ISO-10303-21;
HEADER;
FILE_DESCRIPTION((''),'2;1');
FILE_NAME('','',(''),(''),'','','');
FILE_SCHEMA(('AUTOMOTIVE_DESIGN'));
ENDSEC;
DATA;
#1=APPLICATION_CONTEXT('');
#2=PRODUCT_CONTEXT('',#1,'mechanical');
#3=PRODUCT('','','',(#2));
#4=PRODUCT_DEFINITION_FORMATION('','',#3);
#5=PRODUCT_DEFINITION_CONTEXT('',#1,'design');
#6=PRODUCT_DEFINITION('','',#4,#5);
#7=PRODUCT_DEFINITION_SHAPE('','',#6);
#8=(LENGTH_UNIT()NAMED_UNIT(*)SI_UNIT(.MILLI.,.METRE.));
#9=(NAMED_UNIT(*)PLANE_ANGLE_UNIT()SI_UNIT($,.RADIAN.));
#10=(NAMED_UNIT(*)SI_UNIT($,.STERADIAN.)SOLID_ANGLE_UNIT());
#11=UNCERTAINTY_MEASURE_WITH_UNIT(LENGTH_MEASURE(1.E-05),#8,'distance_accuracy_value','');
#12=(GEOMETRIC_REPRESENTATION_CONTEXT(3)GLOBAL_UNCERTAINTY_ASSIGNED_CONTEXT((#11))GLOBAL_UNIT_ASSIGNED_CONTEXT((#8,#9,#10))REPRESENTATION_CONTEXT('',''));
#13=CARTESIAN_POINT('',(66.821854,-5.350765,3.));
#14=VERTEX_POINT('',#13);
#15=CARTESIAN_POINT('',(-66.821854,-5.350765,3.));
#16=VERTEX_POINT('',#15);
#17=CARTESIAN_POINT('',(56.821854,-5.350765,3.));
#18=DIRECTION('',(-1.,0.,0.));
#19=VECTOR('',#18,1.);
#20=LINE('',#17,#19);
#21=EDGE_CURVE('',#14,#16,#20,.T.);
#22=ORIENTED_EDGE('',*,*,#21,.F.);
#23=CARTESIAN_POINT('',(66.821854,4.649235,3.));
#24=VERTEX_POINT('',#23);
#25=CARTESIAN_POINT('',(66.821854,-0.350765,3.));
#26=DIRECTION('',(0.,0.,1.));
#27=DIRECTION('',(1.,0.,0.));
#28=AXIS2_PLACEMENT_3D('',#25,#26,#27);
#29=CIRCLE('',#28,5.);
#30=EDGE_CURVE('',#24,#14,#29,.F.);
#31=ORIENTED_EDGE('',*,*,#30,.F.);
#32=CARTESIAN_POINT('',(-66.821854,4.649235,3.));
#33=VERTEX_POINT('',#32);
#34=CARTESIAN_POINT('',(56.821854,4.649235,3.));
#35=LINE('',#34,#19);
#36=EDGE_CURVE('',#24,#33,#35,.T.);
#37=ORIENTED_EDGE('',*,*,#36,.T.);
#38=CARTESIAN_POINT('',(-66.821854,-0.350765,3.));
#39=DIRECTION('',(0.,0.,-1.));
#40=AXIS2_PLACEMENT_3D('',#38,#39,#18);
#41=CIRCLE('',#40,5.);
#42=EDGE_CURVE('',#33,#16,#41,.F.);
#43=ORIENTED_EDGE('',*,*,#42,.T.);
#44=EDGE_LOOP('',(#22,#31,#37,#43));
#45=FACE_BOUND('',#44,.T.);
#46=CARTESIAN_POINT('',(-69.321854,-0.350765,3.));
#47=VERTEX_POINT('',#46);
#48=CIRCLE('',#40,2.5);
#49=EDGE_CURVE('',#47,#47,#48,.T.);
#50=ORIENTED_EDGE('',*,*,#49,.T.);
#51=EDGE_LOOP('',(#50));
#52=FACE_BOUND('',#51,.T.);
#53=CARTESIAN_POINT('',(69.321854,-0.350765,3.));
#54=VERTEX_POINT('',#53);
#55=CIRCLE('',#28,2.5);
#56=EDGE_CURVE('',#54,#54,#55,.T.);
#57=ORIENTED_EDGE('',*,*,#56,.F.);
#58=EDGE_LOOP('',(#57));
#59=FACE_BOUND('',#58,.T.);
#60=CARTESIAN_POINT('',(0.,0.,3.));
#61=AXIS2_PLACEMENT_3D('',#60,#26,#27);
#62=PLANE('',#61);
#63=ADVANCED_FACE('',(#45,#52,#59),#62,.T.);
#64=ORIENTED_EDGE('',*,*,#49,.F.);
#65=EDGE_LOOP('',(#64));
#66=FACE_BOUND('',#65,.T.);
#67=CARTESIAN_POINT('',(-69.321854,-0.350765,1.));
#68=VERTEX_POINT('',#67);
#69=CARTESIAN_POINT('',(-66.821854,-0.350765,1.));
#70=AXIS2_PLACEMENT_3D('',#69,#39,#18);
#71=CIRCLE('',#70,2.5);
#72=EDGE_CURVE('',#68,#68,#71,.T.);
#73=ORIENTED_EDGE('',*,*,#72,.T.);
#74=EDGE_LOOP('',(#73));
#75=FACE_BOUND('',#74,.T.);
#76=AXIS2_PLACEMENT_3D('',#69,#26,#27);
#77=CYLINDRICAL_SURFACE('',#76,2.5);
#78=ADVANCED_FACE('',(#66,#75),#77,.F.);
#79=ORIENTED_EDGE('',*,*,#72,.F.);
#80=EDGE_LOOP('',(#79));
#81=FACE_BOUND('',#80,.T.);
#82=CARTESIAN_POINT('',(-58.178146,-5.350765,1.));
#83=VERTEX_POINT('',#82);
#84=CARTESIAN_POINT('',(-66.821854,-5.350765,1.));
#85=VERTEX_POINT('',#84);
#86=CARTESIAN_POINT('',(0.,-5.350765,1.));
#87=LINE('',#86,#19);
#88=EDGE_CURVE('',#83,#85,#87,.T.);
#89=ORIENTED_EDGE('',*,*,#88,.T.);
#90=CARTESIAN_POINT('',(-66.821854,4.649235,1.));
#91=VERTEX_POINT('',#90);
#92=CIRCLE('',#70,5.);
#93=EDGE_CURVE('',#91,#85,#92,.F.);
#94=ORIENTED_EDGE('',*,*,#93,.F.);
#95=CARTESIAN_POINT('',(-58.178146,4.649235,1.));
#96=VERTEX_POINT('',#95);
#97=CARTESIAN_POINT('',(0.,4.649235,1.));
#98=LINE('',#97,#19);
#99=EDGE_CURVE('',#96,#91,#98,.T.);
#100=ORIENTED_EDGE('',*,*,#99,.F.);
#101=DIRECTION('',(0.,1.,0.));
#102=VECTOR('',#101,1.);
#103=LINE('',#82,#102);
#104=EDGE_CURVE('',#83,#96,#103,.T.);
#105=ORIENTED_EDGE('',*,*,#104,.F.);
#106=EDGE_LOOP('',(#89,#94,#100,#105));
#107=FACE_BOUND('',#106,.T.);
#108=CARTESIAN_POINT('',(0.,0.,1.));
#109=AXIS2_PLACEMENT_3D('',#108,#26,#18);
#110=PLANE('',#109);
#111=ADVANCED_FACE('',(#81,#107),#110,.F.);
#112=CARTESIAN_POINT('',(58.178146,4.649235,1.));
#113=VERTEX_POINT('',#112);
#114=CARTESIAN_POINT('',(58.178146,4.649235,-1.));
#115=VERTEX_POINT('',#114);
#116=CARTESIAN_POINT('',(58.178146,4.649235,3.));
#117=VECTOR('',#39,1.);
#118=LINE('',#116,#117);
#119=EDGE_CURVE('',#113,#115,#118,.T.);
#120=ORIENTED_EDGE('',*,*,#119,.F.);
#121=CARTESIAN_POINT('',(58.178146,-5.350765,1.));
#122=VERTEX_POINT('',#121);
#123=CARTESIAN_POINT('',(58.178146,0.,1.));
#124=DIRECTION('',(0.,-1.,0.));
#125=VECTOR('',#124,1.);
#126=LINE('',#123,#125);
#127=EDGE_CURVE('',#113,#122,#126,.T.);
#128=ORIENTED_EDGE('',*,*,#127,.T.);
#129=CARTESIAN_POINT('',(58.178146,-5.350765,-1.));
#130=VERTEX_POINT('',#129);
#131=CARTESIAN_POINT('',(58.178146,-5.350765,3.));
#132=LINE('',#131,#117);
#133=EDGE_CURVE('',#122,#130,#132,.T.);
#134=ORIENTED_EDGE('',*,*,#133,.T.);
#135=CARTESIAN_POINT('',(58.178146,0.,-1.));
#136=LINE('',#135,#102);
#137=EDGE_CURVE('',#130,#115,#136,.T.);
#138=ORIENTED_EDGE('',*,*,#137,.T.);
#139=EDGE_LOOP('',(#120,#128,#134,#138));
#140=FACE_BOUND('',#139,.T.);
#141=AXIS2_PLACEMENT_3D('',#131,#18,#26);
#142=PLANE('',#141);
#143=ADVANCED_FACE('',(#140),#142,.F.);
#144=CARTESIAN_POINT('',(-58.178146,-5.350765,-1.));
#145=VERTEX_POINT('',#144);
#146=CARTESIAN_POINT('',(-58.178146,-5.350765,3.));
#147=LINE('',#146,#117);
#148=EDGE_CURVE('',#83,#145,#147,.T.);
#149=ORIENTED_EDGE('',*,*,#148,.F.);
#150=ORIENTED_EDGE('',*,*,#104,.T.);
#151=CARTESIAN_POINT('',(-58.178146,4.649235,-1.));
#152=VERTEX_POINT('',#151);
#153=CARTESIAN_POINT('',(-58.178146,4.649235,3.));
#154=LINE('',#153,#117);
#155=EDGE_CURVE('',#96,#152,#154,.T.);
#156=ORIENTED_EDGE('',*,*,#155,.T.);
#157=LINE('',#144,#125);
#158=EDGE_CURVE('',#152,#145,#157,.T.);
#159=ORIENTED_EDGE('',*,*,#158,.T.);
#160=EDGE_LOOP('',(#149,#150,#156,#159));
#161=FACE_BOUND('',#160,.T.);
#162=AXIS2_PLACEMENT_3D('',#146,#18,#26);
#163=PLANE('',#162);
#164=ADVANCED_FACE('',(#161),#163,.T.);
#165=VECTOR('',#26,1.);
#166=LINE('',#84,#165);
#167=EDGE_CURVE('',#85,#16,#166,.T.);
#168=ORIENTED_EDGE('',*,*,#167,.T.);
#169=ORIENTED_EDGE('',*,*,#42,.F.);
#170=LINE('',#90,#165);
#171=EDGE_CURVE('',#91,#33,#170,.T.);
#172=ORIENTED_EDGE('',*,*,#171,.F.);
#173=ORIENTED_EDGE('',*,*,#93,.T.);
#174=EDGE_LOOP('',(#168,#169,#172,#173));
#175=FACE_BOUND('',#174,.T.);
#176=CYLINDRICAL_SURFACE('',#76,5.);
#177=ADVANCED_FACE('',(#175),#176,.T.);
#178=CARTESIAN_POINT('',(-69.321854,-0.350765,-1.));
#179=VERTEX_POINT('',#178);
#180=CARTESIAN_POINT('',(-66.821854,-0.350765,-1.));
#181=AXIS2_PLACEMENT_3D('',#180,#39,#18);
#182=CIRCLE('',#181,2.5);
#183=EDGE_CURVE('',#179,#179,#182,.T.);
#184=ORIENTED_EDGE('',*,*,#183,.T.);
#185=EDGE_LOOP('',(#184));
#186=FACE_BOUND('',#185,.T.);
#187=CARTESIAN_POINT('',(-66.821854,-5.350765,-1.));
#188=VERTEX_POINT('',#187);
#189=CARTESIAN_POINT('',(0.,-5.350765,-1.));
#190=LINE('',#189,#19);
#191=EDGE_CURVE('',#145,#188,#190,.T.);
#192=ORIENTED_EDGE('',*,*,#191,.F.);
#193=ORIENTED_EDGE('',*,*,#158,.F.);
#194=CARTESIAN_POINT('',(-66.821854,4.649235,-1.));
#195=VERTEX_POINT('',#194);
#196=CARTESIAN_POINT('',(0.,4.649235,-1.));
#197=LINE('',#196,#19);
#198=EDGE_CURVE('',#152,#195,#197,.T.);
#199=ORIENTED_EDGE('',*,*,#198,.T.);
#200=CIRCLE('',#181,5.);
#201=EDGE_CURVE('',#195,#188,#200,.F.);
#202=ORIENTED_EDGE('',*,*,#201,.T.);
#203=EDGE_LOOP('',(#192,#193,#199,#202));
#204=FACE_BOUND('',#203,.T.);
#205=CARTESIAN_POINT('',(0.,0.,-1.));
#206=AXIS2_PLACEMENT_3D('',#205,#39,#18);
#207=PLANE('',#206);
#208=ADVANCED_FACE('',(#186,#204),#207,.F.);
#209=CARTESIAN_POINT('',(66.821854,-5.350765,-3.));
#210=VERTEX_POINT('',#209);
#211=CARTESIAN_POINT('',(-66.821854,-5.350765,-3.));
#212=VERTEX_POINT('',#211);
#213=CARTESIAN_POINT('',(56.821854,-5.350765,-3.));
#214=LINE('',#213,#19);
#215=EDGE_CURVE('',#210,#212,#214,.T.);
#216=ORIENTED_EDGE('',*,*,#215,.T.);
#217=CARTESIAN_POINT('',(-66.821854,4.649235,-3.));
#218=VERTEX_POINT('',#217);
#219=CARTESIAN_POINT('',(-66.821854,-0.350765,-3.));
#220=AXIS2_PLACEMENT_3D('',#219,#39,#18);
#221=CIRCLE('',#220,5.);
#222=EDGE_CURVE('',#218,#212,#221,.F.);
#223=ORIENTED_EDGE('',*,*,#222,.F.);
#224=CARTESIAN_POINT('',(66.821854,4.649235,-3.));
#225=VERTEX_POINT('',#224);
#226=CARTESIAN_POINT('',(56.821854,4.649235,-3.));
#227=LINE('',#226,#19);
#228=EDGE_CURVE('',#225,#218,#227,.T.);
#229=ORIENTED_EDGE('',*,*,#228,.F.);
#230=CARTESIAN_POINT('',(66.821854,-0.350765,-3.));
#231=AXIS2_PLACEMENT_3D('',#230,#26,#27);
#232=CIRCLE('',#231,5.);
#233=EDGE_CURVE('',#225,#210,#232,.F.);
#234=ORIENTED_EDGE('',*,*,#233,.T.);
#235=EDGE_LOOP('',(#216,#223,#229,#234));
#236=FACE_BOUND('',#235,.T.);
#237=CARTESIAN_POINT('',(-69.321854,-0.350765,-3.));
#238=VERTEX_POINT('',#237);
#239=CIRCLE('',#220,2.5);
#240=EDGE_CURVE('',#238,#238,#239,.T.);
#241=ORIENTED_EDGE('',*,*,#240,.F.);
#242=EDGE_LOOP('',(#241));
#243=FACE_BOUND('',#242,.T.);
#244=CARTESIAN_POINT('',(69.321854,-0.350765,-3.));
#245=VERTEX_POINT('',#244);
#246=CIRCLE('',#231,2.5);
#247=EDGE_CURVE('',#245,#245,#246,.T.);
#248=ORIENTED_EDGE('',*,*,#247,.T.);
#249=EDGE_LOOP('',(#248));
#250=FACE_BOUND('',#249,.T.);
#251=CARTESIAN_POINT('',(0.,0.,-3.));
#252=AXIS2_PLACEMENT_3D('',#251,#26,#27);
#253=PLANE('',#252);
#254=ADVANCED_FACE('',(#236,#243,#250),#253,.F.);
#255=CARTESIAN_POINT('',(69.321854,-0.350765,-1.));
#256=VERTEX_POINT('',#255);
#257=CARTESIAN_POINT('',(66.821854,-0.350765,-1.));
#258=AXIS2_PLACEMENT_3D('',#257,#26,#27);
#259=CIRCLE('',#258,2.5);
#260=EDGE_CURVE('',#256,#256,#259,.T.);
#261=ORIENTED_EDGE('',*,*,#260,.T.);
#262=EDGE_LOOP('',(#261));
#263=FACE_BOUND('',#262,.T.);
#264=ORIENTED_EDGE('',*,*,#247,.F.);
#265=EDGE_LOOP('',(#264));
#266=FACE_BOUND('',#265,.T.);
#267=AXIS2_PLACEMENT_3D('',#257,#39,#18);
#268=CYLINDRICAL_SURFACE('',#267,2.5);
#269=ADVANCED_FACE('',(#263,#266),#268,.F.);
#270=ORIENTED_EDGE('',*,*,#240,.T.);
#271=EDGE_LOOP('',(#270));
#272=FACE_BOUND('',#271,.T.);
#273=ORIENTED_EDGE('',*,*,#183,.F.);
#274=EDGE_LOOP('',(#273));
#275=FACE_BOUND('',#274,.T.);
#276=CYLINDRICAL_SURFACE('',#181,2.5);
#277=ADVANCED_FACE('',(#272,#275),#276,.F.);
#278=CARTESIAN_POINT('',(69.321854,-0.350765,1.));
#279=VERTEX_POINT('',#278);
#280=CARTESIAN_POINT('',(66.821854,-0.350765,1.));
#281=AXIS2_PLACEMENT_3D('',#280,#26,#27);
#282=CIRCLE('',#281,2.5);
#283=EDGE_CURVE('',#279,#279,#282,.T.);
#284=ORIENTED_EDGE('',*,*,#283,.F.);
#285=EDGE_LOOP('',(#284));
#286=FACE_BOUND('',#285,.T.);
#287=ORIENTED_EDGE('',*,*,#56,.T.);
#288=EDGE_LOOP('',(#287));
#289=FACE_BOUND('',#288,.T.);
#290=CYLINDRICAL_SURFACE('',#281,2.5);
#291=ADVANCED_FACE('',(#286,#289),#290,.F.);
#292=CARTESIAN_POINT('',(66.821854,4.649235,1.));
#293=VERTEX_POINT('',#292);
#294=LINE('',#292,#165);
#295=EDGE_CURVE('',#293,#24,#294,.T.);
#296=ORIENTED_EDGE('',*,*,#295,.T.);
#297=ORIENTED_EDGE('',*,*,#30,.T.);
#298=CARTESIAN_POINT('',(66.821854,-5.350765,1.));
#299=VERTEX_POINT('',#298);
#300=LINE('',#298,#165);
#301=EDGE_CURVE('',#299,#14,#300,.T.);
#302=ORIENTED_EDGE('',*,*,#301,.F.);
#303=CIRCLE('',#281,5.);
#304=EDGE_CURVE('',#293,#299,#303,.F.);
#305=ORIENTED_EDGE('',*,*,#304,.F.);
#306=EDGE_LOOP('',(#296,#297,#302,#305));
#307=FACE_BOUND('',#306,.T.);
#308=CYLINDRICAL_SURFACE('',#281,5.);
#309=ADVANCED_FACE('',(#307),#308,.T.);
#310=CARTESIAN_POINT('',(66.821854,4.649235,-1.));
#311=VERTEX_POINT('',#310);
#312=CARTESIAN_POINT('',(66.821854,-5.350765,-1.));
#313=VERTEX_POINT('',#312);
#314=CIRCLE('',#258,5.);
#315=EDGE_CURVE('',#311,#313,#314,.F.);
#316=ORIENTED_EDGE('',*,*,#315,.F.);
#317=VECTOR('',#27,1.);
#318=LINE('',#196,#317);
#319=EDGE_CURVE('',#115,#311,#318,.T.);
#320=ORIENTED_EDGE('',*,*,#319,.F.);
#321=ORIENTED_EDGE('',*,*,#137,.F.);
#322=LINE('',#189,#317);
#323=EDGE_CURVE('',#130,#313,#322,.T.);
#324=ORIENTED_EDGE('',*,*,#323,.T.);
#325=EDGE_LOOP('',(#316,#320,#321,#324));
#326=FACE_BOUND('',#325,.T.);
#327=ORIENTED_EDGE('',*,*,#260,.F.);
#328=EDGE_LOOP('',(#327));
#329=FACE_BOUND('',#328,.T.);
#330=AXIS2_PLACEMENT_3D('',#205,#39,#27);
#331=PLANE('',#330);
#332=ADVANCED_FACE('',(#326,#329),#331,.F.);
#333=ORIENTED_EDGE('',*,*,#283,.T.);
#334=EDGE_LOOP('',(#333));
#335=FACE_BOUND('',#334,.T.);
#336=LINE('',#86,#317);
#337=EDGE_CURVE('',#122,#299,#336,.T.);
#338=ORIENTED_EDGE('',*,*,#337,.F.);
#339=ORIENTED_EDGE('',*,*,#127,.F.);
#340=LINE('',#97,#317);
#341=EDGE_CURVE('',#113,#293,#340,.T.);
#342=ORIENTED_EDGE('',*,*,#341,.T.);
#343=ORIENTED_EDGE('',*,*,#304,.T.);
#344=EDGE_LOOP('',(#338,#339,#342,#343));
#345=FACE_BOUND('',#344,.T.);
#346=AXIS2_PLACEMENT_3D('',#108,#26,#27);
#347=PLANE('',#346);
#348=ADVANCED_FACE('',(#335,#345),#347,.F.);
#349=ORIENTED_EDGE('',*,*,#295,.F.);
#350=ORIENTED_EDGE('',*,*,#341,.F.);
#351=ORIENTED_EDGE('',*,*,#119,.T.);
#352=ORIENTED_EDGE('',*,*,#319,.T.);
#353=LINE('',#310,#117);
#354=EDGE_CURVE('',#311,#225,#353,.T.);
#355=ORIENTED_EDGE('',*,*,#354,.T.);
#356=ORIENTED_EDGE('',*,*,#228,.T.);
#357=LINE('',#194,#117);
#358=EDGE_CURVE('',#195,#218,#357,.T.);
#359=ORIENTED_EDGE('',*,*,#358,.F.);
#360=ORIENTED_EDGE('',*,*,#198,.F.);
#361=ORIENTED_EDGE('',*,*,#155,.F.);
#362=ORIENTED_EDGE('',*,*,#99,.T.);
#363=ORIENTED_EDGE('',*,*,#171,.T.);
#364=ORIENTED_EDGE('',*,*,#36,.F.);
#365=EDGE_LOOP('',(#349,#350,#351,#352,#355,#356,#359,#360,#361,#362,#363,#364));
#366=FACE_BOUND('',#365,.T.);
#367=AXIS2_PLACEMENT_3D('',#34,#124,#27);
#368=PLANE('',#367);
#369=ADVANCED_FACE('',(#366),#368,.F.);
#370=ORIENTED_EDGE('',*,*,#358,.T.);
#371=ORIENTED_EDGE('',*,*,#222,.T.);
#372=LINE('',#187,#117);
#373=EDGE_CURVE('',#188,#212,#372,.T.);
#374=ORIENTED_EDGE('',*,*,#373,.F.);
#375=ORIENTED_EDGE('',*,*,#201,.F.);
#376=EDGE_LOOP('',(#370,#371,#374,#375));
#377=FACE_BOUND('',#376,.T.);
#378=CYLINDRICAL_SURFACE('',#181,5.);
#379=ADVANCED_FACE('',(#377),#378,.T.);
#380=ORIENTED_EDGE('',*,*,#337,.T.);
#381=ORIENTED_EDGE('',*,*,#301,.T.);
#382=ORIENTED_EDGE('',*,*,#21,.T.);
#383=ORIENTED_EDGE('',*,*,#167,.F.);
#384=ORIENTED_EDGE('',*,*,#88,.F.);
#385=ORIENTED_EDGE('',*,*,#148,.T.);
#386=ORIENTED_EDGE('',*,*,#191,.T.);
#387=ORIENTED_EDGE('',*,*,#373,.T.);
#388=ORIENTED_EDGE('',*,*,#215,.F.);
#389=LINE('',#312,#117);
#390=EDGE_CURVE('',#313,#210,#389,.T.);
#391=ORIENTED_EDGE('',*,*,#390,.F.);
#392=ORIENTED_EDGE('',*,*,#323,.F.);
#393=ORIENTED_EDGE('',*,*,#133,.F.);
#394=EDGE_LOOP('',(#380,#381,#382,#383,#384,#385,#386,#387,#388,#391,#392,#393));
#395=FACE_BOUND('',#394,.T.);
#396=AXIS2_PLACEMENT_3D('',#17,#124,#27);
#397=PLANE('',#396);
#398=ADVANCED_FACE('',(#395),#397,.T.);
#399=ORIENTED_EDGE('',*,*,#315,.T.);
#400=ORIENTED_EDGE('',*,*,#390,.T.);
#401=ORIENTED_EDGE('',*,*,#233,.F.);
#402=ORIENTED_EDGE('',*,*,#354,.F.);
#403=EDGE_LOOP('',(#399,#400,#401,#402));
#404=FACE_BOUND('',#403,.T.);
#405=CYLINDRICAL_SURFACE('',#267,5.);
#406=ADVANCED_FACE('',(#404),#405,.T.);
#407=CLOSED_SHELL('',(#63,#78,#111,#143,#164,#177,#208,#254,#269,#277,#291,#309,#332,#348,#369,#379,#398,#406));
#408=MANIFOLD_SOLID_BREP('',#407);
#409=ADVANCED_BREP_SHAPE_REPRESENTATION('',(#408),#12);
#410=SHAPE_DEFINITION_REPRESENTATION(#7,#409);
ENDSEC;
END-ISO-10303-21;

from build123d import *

# Parameters (mm, degrees)
SKETCH19_W               = 115
SKETCH19_H               = 10
BOSS_EXTRUDE4_DEPTH      = 3
SKETCH21_R               = 2.5
BOSS_EXTRUDE13_DEPTH     = 2
MIRROR15_COPY_1_SKETCH_W = 115
MIRROR15_COPY_1_SKETCH_H = 10
MIRROR15_COPY_1_DEPTH    = 3
MIRROR15_COPY_2_SKETCH_R = 2.5
MIRROR15_COPY_2_DEPTH    = 2


with BuildPart() as part:
    # Sketch19 → Boss-Extrude4 (new body, symmetric)
    with BuildSketch(Plane.XY):
        with Locations((-0.678145843, -0.350765091)):
            Rectangle(SKETCH19_W, SKETCH19_H)
    boss_extrude4 = extrude(amount=BOSS_EXTRUDE4_DEPTH, both=True)

    # Sketch21 → Boss-Extrude13 (add)
    with BuildSketch(Plane.XY.offset(3)):
        with BuildLine():
            ThreePointArc((66.821854157, 4.649234909), (71.821854157, -0.350765091), (66.821854157, -5.350765091))
            Line((66.821854157, -5.350765091), (56.821854157, -5.350765091))
            Line((56.821854157, -5.350765091), (56.821854157, 4.649234909))
            Line((56.821854157, 4.649234909), (66.821854157, 4.649234909))
        make_face()
        with Locations((66.821854157, -0.350765091)):
            Circle(SKETCH21_R, mode=Mode.SUBTRACT)
    boss_extrude13 = extrude(amount=-BOSS_EXTRUDE13_DEPTH)

    # Mirror14: Boss-Extrude4, Boss-Extrude13 across plane
    add(boss_extrude4.mirror(Plane.XY))
    add(boss_extrude13.mirror(Plane.XY))

    # Mirror15: Boss-Extrude4, Boss-Extrude13 across plane
    add(boss_extrude4.mirror(Plane(origin=(0, 0, 0), x_dir=(0, 0, 1), z_dir=(1, 0, 0))))
    add(boss_extrude13.mirror(Plane(origin=(0, 0, 0), x_dir=(0, 0, 1), z_dir=(1, 0, 0))))

    # Mirror15 copy 1 sketch → Mirror15 copy 1 (add, symmetric)
    with BuildSketch(Plane(origin=(0, 0, 0), x_dir=(-1, 0, 0), z_dir=(0, 0, -1))):
        with Locations((-0.678145843, -0.350765091)):
            Rectangle(MIRROR15_COPY_1_SKETCH_W, MIRROR15_COPY_1_SKETCH_H)
    extrude(amount=MIRROR15_COPY_1_DEPTH, both=True)

    # Mirror15 copy 2 sketch → Mirror15 copy 2 (add)
    with BuildSketch(Plane(origin=(0, 0, -3), x_dir=(-1, 0, 0), z_dir=(0, 0, -1))):
        with BuildLine():
            ThreePointArc((66.821854157, 4.649234909), (71.821854157, -0.350765091), (66.821854157, -5.350765091))
            Line((66.821854157, -5.350765091), (56.821854157, -5.350765091))
            Line((56.821854157, -5.350765091), (56.821854157, 4.649234909))
            Line((56.821854157, 4.649234909), (66.821854157, 4.649234909))
        make_face()
        with Locations((66.821854157, -0.350765091)):
            Circle(MIRROR15_COPY_2_SKETCH_R, mode=Mode.SUBTRACT)
    extrude(amount=-MIRROR15_COPY_2_DEPTH)


solid = part.part
